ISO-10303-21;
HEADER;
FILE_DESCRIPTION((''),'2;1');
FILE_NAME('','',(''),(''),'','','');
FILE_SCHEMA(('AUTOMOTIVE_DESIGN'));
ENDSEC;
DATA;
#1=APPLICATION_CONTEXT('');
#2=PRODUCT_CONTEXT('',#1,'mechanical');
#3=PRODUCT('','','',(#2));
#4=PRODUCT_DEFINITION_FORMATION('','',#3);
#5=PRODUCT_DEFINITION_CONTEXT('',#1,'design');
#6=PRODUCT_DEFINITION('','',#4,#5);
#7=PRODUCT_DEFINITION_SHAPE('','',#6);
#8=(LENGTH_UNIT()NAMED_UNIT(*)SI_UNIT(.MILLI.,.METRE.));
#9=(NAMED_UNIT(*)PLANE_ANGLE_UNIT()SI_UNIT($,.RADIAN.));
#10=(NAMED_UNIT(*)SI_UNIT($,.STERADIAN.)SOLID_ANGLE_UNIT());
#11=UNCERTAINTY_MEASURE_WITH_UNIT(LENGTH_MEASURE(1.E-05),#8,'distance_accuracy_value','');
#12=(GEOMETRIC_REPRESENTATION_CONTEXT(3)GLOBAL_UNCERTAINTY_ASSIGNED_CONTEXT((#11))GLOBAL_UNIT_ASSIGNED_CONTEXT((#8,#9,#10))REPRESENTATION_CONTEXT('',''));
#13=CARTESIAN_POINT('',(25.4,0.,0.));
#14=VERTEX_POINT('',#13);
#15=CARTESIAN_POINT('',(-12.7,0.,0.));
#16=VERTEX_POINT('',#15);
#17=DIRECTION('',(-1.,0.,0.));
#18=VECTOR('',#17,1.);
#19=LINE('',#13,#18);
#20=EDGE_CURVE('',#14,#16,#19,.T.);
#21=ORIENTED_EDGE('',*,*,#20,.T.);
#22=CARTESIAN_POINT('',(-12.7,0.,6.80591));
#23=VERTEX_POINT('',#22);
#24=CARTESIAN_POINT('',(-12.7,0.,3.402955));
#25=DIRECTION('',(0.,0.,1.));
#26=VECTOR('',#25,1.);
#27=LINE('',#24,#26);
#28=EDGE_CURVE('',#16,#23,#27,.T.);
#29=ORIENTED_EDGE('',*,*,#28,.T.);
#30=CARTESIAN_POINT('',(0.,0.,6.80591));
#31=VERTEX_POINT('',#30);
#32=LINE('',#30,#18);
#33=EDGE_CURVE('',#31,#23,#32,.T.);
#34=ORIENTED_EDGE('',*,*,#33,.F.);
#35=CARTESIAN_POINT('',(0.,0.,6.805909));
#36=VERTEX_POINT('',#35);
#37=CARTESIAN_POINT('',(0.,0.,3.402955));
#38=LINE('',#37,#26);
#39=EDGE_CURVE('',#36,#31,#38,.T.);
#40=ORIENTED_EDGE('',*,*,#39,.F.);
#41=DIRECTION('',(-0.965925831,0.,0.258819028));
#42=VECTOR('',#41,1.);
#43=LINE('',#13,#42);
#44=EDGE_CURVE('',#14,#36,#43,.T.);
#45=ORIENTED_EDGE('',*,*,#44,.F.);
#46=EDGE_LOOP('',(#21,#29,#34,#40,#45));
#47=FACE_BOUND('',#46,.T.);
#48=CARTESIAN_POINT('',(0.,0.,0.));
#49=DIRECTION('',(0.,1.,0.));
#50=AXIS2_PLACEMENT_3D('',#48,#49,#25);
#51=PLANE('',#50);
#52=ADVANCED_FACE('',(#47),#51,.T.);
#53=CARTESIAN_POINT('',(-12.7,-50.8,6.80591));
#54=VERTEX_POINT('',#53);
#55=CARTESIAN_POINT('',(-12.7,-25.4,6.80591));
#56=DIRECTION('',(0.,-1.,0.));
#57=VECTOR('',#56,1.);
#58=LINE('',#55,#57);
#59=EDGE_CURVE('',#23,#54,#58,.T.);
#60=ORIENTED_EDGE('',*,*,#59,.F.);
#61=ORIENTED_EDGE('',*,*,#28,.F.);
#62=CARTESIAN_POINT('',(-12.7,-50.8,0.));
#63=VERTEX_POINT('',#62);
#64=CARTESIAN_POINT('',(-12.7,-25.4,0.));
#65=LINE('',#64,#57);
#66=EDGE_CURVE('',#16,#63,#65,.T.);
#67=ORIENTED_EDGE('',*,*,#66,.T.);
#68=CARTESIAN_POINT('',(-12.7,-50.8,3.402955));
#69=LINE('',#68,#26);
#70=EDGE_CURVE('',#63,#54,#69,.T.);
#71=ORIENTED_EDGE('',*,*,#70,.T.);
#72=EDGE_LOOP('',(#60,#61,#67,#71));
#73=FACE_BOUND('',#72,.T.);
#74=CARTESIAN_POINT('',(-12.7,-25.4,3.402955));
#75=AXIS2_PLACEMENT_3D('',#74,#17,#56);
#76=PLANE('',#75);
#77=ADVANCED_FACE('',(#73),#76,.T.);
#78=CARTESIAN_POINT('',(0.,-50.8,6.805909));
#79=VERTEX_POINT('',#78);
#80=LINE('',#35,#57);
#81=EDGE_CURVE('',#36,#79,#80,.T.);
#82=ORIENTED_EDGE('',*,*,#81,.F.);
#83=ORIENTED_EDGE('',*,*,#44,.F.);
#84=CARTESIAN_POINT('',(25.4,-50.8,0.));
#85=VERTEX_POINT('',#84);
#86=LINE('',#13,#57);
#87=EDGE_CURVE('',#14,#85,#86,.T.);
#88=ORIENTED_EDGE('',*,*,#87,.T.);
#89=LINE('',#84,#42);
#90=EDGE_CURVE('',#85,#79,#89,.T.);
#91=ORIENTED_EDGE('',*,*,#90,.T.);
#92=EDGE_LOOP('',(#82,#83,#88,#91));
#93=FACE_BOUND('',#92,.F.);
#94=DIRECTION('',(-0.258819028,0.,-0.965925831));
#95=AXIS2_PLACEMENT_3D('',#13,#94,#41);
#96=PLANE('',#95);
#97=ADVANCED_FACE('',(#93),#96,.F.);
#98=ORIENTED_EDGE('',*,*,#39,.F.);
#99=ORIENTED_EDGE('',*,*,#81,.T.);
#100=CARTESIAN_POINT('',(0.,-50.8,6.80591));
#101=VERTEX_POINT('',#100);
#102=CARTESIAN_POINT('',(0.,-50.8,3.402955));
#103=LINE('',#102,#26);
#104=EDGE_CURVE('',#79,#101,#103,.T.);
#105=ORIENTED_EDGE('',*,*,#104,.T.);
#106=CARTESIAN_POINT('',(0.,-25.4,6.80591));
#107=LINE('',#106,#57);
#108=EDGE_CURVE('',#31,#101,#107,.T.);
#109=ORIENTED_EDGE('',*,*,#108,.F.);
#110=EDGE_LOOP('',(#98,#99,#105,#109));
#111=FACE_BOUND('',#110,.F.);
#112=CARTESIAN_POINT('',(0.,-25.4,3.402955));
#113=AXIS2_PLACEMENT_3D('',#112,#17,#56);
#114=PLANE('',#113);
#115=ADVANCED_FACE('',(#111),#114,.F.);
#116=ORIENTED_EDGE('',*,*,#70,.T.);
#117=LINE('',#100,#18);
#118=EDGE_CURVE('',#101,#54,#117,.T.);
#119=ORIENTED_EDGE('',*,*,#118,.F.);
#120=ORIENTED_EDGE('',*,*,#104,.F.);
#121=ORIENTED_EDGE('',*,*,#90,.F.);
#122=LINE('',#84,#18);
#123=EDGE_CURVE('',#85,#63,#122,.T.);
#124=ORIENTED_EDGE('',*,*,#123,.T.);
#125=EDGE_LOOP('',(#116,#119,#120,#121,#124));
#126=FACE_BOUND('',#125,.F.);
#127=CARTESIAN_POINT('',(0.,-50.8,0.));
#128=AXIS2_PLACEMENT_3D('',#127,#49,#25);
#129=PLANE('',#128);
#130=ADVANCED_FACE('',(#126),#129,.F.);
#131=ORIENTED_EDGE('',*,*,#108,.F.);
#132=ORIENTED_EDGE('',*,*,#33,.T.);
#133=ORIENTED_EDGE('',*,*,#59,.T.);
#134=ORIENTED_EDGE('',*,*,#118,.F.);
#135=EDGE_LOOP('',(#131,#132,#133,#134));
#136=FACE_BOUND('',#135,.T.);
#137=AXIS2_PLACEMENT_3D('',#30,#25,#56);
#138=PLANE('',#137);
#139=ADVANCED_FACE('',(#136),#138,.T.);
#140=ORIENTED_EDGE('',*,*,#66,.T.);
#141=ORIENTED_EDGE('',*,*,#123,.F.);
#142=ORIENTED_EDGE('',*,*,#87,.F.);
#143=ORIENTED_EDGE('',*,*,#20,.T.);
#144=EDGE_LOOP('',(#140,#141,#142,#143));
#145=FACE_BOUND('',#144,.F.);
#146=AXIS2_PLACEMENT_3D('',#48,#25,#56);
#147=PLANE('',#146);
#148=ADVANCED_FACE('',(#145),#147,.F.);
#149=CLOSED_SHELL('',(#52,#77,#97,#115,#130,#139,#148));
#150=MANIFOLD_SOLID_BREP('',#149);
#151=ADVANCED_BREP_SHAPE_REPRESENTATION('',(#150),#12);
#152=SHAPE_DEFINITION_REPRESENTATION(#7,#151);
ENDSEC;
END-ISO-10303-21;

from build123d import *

# Parameters (mm, degrees)
F1_DEPTH  = 50.8
F1_FACE_W = 50.8
F1_FACE_H = 6.80591
F2_DEPTH  = 12.7


with BuildPart() as f1:
    # F0 (on Front) → F1 (new body)
    with BuildSketch(Plane.XZ):
        Polygon((0, 6.805909), (0, 0), (25.4, 0), align=None)
    extrude(amount=F1_DEPTH)

    # F1_face (on face) → F2 (join)
    with BuildSketch(Plane(origin=(0, -25.4, 3.402955), x_dir=(0, -1, 0), z_dir=(-1, 0, 0))):
        Rectangle(F1_FACE_W, F1_FACE_H)
    extrude(amount=F2_DEPTH)


solid = f1.part
